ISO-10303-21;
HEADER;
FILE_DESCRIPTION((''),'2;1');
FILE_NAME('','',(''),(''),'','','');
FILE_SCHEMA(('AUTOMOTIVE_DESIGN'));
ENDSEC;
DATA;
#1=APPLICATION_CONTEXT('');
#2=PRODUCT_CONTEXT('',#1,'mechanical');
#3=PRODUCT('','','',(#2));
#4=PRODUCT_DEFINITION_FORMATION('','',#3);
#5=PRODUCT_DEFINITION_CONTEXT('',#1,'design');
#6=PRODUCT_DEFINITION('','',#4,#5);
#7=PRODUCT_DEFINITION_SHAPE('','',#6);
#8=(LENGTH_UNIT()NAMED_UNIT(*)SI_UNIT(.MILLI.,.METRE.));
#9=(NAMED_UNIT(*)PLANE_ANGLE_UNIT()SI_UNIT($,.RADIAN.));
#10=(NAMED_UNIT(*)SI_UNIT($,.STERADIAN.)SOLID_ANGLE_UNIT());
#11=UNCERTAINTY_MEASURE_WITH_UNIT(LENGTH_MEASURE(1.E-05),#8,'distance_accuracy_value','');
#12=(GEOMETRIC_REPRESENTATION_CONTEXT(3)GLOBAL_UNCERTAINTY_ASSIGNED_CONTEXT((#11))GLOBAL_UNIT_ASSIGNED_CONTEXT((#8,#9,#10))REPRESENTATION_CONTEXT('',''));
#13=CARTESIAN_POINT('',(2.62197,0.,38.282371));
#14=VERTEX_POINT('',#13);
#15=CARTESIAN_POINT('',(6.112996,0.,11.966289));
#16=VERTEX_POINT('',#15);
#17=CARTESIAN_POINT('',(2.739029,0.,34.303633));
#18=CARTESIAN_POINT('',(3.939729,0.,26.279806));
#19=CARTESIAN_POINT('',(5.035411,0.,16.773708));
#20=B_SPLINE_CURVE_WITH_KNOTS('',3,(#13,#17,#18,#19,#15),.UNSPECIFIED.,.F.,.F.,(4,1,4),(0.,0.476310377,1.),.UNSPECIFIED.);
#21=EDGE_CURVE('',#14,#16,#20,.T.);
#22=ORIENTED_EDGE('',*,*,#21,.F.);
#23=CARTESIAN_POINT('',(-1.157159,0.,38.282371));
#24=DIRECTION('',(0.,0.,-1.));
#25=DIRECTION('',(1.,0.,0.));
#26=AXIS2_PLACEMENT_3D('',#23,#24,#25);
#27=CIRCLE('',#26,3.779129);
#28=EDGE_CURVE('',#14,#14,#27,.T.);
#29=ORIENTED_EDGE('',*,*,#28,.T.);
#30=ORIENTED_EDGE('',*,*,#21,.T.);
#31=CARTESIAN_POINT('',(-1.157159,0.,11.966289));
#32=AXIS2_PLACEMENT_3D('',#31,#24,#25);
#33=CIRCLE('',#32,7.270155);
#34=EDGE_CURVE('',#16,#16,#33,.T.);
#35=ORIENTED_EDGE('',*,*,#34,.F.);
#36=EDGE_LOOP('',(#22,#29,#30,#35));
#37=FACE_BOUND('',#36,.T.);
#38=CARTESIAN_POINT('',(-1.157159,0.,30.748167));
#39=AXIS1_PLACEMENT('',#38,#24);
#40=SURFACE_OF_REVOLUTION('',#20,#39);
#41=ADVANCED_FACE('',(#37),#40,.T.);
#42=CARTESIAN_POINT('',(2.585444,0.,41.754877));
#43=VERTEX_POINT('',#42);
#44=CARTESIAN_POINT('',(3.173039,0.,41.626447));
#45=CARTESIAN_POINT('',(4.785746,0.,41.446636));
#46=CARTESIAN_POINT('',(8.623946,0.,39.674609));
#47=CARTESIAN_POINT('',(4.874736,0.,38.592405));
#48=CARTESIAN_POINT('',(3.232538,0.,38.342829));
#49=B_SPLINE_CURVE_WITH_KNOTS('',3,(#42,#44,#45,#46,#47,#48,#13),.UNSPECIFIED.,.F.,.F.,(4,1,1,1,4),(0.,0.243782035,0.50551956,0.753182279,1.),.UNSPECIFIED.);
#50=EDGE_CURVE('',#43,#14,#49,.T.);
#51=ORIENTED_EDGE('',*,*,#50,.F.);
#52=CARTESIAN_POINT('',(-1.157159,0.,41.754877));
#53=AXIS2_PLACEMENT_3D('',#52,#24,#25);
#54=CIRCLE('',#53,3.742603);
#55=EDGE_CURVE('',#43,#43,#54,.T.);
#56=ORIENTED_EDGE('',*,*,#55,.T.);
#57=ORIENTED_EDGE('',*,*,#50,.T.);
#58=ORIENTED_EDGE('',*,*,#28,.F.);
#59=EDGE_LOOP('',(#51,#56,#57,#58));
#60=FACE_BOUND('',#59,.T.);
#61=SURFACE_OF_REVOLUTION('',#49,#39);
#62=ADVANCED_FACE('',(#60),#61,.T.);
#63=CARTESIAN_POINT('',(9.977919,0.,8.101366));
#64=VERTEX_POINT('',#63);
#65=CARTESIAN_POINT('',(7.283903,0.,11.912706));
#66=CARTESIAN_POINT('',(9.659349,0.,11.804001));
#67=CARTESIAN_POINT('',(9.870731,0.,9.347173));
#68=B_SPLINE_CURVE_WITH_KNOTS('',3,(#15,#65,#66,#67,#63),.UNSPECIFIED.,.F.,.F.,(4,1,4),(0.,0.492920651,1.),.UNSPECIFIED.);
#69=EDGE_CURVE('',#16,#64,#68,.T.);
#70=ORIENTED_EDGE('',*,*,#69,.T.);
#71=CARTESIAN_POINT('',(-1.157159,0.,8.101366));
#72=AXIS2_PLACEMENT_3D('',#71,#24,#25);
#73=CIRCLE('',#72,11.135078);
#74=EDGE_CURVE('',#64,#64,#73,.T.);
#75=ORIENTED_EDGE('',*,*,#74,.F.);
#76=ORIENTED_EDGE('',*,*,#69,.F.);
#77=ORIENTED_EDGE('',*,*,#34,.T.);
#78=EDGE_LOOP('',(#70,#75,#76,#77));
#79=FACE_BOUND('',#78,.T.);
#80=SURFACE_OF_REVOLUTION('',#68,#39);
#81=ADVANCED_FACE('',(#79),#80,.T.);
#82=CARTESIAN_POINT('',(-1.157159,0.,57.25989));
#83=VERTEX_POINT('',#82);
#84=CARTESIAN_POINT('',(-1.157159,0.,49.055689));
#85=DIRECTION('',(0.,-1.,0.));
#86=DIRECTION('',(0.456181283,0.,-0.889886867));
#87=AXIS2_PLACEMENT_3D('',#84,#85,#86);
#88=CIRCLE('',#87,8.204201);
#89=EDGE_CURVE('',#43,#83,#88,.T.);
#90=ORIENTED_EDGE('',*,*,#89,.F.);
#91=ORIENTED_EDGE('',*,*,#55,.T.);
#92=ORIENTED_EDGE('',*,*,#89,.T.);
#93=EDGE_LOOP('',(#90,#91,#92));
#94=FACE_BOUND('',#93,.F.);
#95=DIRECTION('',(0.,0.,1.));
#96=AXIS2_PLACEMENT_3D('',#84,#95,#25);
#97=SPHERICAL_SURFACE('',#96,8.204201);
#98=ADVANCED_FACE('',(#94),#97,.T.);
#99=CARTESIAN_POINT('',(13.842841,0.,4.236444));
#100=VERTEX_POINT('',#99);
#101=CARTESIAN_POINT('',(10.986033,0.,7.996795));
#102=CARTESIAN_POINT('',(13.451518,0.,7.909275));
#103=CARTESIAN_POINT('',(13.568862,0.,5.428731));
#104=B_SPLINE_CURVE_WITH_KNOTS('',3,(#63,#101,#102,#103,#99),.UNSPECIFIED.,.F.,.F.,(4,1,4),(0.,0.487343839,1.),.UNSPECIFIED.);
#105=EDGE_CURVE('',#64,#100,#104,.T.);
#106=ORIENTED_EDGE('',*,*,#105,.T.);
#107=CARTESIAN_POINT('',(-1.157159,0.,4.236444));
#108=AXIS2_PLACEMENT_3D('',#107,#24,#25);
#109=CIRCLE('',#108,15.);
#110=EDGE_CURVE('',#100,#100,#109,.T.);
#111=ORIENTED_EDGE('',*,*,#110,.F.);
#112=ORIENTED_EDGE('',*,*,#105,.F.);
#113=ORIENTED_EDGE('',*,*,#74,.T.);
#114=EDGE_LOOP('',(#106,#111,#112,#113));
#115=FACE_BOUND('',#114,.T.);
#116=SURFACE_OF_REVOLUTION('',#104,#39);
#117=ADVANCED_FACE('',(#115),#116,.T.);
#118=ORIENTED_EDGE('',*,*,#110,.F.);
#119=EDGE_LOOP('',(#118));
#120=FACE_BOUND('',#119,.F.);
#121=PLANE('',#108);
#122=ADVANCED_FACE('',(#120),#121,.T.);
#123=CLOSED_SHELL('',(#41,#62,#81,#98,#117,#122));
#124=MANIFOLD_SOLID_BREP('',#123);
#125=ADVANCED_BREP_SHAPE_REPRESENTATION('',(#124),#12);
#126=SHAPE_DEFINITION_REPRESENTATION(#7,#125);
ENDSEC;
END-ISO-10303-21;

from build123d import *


with BuildPart() as f1:
    # F0 (on Front) → F1 (revolve)
    with BuildSketch(Plane.XZ):
        with BuildLine():
            add(Edge.make_bspline(
                [(2.585444193, 41.7548774657), (3.1730393469, 41.6264466582), (4.7857463799, 41.446635561), (8.6239463898, 39.674609313), (4.8747358073, 38.5924048278), (3.2325384602, 38.3428288887), (2.6219700584, 38.2823710304)],
                knots=[0, 0, 0, 0, 0.2437820353, 0.5055195599, 0.7531822793, 1, 1, 1, 1], degree=3))
            ThreePointArc((2.585444193, 41.7548774657), (6.81799768, 50.9807335539), (-1.1571589546, 57.2598900444))
            Line((-1.1571589546, 57.2598900444), (-1.1571589546, 4.2364438573))
            Line((-1.1571589546, 4.2364438573), (13.8428410454, 4.2364438573))
            add(Edge.make_bspline(
                [(9.9779186623, 8.1013662404), (10.9860333906, 7.9967945236), (13.4515181143, 7.9092746334), (13.5688623354, 5.4287306023), (13.8428410454, 4.2364438573)],
                knots=[0, 0, 0, 0, 0.487343839, 1, 1, 1, 1], degree=3))
            add(Edge.make_bspline(
                [(6.1129962791, 11.9662886235), (7.2839027607, 11.9127056881), (9.6593489472, 11.8040006961), (9.8707311251, 9.347172886), (9.9779186623, 8.1013662404)],
                knots=[0, 0, 0, 0, 0.4929206514, 1, 1, 1, 1], degree=3))
            add(Edge.make_bspline(
                [(2.6219700584, 38.2823710304), (2.7390289652, 34.303633454), (3.9397292849, 26.2798056058), (5.0354105939, 16.7737076592), (6.1129962791, 11.9662886235)],
                knots=[0, 0, 0, 0, 0.4763103774, 1, 1, 1, 1], degree=3))
        make_face()
    revolve(axis=Axis((-1.1571589546, 0, 30.7481669509), (0, 0, -1)))


solid = f1.part
